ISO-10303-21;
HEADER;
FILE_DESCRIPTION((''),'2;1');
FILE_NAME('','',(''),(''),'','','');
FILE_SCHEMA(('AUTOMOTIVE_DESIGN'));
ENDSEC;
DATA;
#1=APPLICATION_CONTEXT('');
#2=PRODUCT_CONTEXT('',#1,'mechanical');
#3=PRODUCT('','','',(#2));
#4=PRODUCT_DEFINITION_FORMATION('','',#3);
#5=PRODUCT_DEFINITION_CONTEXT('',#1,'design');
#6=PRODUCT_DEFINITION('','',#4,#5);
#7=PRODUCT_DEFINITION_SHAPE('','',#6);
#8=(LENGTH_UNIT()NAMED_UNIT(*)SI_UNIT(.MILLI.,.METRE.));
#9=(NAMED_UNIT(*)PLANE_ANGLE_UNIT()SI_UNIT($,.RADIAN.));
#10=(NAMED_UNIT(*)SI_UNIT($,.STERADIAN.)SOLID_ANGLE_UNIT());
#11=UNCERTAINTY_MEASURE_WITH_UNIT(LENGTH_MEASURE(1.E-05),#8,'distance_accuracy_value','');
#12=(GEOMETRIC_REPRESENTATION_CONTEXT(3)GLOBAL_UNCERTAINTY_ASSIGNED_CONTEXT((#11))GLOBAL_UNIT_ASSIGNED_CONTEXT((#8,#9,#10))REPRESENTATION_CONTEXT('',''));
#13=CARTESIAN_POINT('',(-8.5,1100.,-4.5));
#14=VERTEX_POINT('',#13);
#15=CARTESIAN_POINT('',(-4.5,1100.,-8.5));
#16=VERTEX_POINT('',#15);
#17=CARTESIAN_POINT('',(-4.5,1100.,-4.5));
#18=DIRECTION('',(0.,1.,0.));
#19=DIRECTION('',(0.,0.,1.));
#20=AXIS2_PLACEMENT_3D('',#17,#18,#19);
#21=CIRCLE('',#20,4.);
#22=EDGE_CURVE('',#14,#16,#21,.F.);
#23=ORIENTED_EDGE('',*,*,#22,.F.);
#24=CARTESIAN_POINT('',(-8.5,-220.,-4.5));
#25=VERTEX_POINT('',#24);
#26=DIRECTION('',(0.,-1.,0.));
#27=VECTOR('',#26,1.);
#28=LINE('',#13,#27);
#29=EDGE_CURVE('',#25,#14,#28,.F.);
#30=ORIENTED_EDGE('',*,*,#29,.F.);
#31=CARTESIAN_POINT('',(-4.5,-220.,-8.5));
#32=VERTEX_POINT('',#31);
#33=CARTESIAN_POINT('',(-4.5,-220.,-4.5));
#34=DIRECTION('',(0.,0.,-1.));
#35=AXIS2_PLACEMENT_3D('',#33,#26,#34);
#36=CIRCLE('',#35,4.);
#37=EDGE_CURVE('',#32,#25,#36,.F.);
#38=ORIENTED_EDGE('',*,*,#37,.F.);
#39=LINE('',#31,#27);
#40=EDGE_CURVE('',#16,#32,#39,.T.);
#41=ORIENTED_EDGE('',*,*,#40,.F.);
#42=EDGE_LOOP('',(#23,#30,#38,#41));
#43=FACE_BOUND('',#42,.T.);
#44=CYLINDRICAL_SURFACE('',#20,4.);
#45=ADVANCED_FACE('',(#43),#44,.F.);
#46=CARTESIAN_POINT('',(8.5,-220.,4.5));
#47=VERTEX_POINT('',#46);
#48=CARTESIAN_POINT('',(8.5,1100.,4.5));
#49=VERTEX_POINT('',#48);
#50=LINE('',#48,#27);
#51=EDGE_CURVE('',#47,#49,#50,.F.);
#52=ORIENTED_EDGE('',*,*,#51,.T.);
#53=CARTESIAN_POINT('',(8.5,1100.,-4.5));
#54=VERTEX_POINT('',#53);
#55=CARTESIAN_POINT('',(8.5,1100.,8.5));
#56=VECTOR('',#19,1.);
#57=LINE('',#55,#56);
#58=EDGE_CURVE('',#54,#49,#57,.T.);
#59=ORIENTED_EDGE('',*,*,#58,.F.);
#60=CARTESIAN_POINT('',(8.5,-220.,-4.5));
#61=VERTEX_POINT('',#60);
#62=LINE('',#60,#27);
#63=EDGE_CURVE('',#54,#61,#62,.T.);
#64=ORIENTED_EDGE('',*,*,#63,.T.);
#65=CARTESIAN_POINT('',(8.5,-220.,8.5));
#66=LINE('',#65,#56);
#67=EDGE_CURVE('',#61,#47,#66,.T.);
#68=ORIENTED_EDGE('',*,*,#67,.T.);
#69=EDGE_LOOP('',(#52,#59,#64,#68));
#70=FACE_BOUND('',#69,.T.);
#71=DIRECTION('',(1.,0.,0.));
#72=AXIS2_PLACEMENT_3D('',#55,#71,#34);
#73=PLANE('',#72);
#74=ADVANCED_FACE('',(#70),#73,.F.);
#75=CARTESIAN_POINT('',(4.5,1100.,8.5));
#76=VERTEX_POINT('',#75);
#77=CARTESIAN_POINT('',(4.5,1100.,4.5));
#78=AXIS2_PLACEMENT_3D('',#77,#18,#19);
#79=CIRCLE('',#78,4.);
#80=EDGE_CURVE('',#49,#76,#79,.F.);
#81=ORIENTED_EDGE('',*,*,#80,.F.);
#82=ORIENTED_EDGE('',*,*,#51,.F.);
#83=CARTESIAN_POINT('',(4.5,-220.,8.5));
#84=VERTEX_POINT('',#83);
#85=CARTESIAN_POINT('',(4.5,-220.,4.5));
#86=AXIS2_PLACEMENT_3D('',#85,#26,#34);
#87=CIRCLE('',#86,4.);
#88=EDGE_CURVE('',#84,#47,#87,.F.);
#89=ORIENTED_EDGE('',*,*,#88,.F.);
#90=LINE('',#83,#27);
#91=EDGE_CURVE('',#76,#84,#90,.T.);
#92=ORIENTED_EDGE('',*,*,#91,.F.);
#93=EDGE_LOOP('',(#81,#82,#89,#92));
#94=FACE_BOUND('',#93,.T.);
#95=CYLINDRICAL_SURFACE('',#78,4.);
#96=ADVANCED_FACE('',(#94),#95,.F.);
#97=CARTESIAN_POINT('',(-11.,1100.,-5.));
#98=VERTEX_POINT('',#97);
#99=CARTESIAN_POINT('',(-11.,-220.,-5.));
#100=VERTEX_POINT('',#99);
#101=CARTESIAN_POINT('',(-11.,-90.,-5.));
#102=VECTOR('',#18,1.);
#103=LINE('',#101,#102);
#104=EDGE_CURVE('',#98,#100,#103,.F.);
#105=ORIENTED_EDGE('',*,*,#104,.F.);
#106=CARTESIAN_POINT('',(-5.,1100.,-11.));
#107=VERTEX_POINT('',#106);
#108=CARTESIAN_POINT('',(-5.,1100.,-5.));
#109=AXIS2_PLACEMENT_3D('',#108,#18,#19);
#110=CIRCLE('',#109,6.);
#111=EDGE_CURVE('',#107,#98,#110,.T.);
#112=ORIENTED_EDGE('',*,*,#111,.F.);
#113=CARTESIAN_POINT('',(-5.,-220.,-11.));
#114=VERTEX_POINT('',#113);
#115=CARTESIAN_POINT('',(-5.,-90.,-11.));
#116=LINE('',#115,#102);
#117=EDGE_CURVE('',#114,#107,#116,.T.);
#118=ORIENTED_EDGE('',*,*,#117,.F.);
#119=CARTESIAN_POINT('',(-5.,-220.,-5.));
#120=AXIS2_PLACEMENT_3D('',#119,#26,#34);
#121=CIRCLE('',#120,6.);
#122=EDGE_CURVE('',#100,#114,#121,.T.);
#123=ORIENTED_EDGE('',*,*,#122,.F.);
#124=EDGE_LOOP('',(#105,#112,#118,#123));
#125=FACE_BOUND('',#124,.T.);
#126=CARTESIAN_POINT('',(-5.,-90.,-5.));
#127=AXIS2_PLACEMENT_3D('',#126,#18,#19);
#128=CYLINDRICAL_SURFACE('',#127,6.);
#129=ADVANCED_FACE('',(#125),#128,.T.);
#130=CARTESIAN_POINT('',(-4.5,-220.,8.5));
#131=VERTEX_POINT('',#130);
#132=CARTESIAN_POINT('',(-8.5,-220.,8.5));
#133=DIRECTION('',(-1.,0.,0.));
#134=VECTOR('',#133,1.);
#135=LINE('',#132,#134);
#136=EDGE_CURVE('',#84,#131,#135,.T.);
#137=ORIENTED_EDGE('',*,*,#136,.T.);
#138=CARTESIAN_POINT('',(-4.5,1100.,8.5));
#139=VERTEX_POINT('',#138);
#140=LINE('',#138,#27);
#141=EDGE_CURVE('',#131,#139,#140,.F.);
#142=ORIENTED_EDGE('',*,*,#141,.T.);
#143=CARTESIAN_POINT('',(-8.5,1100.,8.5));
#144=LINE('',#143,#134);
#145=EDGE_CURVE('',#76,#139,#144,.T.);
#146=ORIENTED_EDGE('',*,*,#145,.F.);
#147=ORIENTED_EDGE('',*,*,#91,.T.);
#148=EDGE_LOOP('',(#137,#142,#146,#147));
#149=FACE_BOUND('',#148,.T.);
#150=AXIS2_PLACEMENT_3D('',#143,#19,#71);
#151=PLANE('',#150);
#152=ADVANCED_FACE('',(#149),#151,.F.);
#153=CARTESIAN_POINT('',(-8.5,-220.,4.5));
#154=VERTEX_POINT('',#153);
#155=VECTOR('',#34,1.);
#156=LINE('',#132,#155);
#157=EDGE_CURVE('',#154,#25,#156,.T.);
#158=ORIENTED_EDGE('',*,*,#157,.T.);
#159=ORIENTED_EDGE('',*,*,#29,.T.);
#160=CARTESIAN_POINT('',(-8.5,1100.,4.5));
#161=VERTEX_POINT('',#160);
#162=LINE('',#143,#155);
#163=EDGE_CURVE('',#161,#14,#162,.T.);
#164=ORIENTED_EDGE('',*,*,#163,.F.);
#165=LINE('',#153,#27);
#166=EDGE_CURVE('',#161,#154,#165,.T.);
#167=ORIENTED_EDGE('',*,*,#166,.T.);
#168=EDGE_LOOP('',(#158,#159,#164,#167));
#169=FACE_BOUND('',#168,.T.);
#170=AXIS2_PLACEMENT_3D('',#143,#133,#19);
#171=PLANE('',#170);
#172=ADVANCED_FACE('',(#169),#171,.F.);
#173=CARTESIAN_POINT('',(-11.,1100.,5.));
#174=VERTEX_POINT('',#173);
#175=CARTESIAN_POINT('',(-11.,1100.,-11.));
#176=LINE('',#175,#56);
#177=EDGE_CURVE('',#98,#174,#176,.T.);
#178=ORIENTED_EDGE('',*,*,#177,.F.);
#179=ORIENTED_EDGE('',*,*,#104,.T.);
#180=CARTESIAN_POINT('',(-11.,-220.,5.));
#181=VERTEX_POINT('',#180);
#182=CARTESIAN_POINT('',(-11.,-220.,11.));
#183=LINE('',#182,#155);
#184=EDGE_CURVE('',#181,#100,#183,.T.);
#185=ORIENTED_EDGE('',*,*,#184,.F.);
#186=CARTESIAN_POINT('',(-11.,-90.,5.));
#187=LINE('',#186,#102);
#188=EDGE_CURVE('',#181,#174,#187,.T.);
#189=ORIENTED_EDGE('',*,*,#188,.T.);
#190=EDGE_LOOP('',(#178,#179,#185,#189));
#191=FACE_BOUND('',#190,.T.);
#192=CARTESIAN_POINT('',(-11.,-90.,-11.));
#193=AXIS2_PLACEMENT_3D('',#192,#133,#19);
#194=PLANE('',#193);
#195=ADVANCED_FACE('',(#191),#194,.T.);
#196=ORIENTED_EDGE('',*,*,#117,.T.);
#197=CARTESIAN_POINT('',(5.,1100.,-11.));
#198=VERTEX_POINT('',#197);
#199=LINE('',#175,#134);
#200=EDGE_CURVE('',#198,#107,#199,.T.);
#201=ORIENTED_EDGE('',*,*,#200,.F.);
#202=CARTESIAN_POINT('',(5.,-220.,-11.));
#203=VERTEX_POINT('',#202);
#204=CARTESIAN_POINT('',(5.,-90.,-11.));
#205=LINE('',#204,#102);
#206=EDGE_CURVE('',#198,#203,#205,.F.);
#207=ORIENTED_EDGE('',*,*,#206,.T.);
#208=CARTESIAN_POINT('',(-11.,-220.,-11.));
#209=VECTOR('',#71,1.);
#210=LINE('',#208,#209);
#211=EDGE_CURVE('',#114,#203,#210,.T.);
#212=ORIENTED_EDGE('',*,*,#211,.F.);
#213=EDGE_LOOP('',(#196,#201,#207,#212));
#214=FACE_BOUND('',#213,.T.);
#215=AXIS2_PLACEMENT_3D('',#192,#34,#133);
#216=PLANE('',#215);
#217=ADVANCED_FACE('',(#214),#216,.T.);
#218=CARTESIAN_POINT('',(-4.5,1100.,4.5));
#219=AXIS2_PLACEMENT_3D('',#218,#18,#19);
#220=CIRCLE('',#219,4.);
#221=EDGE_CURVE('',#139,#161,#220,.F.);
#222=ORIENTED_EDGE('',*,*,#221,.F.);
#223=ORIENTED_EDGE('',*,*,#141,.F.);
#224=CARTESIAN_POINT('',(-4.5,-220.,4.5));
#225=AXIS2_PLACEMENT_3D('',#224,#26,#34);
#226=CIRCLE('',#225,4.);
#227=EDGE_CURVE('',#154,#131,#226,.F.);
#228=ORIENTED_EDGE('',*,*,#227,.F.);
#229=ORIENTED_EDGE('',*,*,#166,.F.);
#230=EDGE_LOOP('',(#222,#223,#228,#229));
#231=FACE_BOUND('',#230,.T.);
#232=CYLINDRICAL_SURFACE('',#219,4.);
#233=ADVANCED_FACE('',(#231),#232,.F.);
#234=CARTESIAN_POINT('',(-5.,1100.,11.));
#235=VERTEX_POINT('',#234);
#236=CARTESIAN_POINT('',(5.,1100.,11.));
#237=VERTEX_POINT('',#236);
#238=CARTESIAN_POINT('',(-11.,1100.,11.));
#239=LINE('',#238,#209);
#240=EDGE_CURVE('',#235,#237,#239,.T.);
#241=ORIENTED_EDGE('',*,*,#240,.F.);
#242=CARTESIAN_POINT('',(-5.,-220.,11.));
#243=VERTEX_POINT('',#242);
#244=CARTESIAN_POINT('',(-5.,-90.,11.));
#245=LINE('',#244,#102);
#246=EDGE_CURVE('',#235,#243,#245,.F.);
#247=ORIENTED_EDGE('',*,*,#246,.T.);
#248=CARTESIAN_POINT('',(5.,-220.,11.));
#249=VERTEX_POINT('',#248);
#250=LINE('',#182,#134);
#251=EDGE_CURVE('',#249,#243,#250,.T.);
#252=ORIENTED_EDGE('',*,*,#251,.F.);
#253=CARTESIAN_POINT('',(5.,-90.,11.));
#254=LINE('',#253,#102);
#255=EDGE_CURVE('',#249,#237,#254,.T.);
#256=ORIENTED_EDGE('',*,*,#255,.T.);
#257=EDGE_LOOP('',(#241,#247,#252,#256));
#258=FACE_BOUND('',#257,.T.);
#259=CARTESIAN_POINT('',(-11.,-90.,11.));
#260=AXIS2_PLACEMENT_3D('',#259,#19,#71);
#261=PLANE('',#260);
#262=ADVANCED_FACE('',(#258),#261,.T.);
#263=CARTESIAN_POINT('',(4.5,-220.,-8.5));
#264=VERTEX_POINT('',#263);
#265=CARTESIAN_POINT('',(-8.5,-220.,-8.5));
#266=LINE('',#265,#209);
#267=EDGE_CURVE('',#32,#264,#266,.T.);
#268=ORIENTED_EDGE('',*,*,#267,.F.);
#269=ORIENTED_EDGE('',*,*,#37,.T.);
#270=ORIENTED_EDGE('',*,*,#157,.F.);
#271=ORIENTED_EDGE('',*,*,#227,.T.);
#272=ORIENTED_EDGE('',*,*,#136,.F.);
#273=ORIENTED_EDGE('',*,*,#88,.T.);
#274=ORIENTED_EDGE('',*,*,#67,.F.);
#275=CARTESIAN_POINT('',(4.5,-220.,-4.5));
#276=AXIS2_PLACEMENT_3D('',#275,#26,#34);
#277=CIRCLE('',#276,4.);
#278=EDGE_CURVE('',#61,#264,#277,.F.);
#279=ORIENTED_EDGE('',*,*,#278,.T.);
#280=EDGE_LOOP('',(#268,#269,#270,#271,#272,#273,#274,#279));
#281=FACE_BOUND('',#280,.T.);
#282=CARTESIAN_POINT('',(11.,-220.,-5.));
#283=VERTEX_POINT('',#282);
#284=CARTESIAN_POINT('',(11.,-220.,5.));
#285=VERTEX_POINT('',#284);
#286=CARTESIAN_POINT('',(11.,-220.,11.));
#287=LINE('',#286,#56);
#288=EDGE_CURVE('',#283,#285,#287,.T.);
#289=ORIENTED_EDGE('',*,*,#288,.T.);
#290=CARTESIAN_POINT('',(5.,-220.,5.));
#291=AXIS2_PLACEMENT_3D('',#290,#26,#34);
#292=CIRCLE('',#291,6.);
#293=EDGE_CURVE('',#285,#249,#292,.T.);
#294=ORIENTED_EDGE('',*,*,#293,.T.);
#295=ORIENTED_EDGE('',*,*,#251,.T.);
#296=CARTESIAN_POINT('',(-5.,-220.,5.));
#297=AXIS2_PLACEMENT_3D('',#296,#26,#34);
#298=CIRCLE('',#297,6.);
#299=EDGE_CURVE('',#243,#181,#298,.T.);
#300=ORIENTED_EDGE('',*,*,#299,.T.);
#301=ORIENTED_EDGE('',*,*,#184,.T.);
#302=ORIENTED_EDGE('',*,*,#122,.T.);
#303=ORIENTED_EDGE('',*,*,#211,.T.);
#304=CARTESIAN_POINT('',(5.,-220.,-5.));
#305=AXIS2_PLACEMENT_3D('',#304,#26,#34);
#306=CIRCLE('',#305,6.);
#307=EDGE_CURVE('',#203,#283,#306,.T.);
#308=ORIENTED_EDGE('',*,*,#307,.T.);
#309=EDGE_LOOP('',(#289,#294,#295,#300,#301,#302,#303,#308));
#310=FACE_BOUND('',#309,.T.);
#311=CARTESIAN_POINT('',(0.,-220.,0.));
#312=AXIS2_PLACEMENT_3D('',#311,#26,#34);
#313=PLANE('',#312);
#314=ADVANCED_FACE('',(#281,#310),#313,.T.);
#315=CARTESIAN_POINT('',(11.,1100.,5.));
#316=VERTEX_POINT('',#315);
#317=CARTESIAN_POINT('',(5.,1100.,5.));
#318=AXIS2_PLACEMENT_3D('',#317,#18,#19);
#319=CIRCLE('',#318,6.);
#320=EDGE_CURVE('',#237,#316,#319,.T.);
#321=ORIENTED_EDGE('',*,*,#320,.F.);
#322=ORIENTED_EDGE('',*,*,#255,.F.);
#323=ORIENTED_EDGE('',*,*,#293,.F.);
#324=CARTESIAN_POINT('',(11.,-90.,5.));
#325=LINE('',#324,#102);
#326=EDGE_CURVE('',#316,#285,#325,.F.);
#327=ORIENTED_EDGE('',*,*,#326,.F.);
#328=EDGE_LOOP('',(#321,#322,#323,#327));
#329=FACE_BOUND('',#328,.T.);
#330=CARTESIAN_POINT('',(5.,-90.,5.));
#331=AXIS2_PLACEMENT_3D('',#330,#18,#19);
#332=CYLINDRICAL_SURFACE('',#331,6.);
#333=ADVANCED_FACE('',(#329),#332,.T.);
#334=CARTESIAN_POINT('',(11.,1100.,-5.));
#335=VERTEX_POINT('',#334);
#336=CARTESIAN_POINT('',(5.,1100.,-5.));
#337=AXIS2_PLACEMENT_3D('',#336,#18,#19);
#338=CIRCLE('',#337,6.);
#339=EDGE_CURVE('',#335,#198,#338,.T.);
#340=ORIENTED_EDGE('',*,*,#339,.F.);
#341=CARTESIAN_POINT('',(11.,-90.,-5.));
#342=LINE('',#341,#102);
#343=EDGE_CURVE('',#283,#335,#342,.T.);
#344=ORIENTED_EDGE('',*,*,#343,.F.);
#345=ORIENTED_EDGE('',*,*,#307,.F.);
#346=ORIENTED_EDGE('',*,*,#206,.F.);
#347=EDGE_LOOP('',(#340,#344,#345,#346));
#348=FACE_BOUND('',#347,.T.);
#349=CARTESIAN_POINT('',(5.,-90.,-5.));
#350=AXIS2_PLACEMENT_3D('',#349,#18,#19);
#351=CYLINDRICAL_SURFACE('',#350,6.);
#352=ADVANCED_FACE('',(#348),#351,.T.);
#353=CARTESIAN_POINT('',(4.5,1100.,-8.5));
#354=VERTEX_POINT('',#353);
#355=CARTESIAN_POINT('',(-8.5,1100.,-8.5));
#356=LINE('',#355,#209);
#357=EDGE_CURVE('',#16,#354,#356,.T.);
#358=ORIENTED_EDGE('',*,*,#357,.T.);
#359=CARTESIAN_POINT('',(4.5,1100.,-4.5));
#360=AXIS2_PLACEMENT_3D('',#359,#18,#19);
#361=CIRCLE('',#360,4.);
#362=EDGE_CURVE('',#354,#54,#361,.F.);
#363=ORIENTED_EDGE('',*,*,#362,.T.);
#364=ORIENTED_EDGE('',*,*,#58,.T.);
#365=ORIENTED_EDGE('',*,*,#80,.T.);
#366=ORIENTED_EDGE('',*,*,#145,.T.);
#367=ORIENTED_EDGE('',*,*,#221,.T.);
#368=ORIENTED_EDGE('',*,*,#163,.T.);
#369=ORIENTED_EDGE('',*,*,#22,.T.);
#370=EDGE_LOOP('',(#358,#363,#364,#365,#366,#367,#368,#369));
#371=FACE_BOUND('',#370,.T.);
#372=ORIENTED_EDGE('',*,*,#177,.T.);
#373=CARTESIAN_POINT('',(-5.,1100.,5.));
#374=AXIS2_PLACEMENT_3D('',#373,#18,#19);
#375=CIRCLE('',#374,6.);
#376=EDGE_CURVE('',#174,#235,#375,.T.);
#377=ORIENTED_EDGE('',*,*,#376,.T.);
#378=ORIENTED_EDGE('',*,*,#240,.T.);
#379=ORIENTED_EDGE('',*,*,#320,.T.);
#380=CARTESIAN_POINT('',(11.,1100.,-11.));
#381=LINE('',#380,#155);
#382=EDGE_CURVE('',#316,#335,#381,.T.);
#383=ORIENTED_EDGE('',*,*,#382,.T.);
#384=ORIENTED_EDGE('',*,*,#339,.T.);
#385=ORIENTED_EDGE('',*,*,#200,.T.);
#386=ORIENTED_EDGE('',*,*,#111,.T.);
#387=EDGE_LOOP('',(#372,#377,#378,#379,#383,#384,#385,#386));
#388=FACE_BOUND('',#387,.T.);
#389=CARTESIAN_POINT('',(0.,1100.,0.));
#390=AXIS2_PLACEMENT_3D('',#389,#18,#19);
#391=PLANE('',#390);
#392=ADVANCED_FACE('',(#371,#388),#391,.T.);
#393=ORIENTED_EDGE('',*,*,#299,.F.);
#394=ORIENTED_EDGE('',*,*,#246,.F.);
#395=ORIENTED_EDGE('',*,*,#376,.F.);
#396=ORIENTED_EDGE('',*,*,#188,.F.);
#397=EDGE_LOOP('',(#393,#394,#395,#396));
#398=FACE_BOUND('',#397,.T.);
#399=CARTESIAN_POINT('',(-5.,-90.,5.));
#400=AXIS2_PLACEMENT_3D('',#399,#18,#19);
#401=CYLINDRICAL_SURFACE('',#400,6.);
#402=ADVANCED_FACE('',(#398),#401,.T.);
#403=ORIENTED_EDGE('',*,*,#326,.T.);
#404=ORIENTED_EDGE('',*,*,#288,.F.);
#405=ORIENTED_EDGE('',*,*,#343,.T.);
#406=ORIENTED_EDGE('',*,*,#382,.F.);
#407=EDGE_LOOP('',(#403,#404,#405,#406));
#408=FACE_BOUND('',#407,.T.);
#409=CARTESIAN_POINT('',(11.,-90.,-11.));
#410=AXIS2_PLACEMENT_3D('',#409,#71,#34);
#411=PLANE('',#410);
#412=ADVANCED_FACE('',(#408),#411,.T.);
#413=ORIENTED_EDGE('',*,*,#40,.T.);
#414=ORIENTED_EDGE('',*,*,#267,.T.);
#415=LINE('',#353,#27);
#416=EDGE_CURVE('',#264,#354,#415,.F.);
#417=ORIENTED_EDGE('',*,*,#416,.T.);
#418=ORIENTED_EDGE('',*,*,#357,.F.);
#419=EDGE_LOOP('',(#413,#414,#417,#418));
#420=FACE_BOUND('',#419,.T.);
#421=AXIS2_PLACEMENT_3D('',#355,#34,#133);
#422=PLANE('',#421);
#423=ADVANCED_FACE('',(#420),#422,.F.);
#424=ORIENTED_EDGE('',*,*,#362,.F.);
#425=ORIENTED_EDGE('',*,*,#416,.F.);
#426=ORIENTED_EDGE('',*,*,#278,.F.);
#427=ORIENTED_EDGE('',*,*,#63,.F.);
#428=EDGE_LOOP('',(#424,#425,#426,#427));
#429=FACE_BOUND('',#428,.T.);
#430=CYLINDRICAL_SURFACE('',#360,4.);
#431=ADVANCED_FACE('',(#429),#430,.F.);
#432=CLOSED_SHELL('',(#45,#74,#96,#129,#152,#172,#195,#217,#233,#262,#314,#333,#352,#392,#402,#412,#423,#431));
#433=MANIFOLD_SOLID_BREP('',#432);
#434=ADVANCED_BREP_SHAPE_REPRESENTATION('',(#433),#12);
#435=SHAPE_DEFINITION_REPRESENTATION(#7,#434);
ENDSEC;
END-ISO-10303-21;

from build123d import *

# Parameters (mm, degrees)
EXTRUDE_1_DEPTH      = 1100
EXTRUDE_1_DEPTH_BACK = 90
SKETCH_1_W           = 22
SKETCH_1_H           = 22
SKETCH_2_W           = 22
SKETCH_2_H           = 22
EXTRUDE_2_DEPTH      = 130
SKETCH1_W            = 17
SKETCH1_H            = 17
CUT_EXTRUDE1_DEPTH   = 1321.091663484
FILLET2_R            = 6
FILLET3_R            = 4


with BuildPart() as part:
    # Эскиз1 → Бобышка-Вытянуть1 (new, two sides: drawn at the far end of the back side and taken through both)
    with BuildSketch(Plane(origin=(0, 0, 0), x_dir=(1, 0, 0), z_dir=(0, 1, 0)).offset(-EXTRUDE_1_DEPTH_BACK)):
        Rectangle(SKETCH_1_W, SKETCH_1_H)
    extrude(amount=EXTRUDE_1_DEPTH + EXTRUDE_1_DEPTH_BACK)

    # Эскиз2 → Бобышка-Вытянуть2 (add)
    with BuildSketch(Plane.XZ.offset(90)):
        Rectangle(SKETCH_2_W, SKETCH_2_H)
    extrude(amount=EXTRUDE_2_DEPTH)

    # Sketch1 → Cut-Extrude1 (cut, through all)
    with BuildSketch(Plane.XZ.offset(220)):
        Rectangle(SKETCH1_W, SKETCH1_H)
    extrude(amount=-CUT_EXTRUDE1_DEPTH, mode=Mode.SUBTRACT)

    # Fillet2
    fillet2_edges = [part.edges().sort_by_distance(p)[0] for p in [
        (11, 440, 11),
        (-11, 440, 11),
        (-11, 440, -11),
        (11, 440, -11),
    ]]
    fillet(fillet2_edges, radius=FILLET2_R)

    # Fillet3
    fillet3_edges = [part.edges().sort_by_distance(p)[0] for p in [
        (8.5, 440, 8.5),
        (8.5, 440, -8.5),
        (-8.5, 440, -8.5),
        (-8.5, 440, 8.5),
    ]]
    fillet(fillet3_edges, radius=FILLET3_R)


solid = part.part
